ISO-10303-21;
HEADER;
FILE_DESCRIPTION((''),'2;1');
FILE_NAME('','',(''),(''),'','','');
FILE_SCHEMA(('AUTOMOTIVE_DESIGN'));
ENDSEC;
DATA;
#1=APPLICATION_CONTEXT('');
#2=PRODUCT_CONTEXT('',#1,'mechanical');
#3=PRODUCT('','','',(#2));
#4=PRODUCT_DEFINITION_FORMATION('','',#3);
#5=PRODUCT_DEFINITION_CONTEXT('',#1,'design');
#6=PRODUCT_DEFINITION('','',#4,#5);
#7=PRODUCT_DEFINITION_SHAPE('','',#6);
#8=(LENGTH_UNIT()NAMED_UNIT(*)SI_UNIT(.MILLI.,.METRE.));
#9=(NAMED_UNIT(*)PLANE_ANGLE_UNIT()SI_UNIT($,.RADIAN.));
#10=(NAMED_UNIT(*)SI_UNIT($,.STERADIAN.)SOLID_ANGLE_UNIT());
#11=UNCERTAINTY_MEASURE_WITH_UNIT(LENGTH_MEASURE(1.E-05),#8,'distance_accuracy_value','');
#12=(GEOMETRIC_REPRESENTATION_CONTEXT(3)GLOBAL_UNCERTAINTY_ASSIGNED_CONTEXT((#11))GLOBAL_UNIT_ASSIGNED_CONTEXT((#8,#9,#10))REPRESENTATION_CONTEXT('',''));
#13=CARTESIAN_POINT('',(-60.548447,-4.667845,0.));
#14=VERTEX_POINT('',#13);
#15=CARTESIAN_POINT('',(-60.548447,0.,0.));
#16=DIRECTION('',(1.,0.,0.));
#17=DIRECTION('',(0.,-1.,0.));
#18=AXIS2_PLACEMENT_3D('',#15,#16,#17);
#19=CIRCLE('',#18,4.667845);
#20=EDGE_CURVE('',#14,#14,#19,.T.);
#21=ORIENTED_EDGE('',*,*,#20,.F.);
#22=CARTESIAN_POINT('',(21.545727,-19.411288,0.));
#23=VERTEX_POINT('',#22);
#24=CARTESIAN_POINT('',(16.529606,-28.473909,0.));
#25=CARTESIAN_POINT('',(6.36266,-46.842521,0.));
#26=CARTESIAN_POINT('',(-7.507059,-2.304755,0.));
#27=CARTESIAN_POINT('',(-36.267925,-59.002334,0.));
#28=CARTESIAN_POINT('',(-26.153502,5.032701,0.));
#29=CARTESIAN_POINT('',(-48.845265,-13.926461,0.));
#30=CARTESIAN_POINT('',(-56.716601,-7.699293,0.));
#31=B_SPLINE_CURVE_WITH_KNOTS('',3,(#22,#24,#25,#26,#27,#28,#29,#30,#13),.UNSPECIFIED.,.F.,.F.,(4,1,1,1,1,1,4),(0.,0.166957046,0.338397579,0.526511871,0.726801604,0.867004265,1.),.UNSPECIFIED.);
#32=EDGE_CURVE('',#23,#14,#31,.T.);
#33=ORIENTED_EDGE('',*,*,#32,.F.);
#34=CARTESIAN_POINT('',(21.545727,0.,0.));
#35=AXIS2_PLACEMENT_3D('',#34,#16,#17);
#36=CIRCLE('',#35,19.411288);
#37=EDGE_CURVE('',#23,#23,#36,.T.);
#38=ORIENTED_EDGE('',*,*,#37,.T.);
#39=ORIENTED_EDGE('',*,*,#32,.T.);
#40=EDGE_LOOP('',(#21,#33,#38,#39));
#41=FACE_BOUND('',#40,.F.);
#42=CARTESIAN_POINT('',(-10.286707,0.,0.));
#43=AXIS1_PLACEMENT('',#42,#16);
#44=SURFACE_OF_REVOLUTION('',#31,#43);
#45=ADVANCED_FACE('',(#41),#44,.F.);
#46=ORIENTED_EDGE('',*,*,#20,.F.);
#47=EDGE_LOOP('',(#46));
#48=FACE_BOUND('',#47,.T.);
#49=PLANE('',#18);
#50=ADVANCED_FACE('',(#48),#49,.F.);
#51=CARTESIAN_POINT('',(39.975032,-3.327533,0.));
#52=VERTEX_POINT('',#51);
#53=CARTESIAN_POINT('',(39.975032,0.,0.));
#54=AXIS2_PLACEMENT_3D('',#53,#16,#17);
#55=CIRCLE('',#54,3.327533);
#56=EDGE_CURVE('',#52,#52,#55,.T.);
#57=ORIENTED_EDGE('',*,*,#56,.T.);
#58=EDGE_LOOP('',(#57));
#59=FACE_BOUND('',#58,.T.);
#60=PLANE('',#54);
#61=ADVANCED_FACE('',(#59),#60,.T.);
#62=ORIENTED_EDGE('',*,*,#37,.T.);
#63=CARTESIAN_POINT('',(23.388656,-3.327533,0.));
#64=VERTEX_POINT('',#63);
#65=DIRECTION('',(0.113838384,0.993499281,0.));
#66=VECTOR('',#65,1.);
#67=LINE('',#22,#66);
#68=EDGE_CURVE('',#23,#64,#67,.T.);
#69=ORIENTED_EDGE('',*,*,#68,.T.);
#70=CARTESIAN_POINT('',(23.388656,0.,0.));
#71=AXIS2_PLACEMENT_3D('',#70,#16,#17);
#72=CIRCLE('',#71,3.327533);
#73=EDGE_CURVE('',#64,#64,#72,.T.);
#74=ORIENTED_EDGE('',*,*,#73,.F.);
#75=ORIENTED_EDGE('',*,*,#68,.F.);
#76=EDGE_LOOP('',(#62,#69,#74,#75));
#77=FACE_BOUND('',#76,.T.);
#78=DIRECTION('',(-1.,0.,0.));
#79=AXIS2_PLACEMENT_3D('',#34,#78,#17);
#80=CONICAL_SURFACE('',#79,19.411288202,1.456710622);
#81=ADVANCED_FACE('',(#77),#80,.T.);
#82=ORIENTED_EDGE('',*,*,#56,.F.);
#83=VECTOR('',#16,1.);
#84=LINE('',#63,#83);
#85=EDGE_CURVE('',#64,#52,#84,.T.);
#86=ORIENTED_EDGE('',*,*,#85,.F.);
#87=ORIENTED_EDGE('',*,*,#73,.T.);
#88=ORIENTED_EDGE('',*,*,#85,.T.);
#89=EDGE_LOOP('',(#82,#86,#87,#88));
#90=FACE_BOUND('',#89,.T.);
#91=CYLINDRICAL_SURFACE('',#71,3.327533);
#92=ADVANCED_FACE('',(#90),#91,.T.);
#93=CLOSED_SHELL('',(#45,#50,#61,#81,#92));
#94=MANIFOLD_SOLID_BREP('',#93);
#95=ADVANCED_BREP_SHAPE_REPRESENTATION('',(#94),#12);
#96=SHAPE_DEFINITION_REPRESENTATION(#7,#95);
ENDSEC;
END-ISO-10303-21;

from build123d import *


with BuildPart() as f1:
    # F0 (on Top) → F1 (revolve)
    with BuildSketch(Plane.XY):
        with BuildLine():
            add(Edge.make_bspline(
                [(21.5457268059, -19.4112882018), (16.5296056887, -28.4739094746), (6.362659828, -46.8425209346), (-7.5070590722, -2.3047554212), (-36.267924602, -59.0023343356), (-26.1535022389, 5.032700973), (-48.8452650382, -13.9264613146), (-56.7166012228, -7.6992932929), (-60.5484470725, -4.667845089)],
                knots=[0, 0, 0, 0, 0.1669570457, 0.3383975794, 0.5265118709, 0.7268016045, 0.8670042654, 1, 1, 1, 1], degree=3))
            Line((21.5457268059, -19.4112882018), (23.3886558563, -3.3275331371))
            Line((23.3886558563, -3.3275331371), (39.9750322104, -3.3275331371))
            Line((39.9750322104, -3.3275331371), (39.9750322104, 0))
            Line((39.9750322104, 0), (-60.5484470725, 0))
            Line((-60.5484470725, 0), (-60.5484470725, -4.667845089))
        make_face()
    revolve(axis=Axis((-10.2867074311, 0, 0), (1, 0, 0)))


solid = f1.part
